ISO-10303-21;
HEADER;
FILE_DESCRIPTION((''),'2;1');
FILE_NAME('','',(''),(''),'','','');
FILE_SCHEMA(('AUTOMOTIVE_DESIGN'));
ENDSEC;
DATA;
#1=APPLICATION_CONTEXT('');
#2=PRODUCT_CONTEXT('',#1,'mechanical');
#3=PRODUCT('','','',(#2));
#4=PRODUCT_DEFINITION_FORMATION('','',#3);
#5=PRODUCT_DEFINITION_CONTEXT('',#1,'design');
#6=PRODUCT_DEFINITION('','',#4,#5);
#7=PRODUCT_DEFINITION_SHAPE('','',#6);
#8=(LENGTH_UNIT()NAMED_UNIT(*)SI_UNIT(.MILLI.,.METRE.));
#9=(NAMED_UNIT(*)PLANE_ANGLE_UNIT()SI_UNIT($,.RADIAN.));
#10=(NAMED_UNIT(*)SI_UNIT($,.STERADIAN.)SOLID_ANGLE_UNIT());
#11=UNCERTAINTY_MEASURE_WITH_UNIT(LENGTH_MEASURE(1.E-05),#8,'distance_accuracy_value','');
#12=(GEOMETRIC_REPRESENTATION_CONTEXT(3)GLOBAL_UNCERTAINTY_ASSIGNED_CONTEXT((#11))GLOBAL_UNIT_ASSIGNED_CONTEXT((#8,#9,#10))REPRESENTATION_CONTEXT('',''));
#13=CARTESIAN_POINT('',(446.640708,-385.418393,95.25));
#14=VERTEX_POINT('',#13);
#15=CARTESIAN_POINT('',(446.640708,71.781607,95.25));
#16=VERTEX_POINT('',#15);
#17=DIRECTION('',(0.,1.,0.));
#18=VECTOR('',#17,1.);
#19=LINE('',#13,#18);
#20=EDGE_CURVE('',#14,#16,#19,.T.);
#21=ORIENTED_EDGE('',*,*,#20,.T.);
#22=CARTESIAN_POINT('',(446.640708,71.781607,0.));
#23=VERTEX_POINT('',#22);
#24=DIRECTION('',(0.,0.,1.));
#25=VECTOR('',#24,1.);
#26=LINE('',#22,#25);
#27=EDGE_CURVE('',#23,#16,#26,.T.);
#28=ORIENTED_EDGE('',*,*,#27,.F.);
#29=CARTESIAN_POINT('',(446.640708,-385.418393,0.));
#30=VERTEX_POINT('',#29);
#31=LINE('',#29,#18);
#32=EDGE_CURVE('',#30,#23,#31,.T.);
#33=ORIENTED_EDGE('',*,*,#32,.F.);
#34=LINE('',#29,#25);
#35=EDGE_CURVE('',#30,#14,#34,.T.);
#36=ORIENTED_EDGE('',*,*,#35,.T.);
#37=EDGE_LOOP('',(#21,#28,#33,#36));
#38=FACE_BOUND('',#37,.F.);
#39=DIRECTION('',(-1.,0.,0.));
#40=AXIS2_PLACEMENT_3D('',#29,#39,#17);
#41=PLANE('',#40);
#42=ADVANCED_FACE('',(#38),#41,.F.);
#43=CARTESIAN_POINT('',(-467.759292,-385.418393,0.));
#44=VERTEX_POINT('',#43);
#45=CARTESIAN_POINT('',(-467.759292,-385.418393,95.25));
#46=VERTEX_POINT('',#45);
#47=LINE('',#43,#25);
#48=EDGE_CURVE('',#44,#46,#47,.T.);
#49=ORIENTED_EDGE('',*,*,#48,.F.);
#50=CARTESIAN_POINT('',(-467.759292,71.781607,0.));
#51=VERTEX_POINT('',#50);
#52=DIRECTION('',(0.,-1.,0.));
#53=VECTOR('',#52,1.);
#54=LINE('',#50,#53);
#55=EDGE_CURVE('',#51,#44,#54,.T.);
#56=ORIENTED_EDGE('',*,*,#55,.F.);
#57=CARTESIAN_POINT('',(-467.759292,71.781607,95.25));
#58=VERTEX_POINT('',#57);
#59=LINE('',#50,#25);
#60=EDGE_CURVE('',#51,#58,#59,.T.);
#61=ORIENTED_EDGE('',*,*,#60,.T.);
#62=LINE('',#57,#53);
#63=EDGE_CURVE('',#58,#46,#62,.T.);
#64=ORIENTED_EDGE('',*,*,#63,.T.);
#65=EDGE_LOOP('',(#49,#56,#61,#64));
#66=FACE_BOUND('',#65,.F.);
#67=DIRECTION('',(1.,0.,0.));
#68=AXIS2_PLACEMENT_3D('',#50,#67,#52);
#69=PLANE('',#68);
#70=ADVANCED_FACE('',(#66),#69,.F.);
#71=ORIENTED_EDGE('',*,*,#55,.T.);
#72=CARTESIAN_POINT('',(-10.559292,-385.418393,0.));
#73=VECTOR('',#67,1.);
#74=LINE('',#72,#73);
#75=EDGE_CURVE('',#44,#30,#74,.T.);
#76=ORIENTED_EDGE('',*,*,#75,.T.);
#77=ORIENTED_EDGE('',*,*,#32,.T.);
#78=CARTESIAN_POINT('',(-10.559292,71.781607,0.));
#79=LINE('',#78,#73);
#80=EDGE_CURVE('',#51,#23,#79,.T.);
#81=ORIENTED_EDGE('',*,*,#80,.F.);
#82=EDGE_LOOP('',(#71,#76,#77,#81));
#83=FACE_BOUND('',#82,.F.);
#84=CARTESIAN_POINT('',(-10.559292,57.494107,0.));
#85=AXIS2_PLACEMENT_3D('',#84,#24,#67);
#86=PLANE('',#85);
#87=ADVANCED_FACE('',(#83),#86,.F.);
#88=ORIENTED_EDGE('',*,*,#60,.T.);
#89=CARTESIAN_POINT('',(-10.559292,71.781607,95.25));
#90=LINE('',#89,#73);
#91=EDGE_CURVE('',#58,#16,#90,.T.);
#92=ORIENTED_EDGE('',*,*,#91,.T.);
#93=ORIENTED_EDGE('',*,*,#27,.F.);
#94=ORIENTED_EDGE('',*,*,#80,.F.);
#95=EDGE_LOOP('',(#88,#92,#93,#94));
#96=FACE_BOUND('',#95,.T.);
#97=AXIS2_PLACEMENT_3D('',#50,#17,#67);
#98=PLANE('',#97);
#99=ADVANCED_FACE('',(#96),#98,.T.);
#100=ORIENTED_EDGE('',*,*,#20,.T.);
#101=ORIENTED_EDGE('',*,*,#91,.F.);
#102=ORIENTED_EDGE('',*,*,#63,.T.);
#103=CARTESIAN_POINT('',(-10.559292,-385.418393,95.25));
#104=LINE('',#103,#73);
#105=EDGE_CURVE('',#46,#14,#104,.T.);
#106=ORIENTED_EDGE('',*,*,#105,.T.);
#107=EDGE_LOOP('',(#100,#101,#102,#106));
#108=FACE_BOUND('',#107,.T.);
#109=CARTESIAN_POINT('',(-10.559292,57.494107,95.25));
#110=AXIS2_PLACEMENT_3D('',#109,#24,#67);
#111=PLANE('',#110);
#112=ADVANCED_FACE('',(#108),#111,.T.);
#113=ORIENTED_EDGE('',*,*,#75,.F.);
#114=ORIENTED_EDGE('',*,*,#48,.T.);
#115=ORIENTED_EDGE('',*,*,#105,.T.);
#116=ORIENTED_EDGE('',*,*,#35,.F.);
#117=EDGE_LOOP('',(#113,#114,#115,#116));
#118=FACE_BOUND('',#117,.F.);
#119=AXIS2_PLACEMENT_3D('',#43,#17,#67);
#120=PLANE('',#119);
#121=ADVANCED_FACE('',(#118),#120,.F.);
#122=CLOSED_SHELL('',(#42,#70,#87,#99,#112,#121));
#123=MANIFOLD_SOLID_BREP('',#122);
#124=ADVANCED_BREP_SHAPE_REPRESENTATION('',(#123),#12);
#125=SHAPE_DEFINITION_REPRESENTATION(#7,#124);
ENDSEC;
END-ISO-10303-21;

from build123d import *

# Parameters (mm, degrees)
F0_W     = 914.4
F0_H     = 28.575
F1_DEPTH = 95.25


with BuildPart() as f1:
    # F0 (on Top) → F1 (new body)
    with BuildSketch(Plane.XY):
        with Locations((-10.559292, 57.494107)):
            Rectangle(F0_W, F0_H)
        with Locations((-10.559292, 28.919107)):
            Rectangle(F0_W, F0_H)
        with Locations((-10.559292, 0.344107)):
            Rectangle(F0_W, F0_H)
        with Locations((-10.559292, -28.230893)):
            Rectangle(F0_W, F0_H)
        with Locations((-10.559292, -56.805893)):
            Rectangle(F0_W, F0_H)
        with Locations((-10.559292, -85.380893)):
            Rectangle(F0_W, F0_H)
        with Locations((-10.559292, -113.955893)):
            Rectangle(F0_W, F0_H)
        with Locations((-10.559292, -142.530893)):
            Rectangle(F0_W, F0_H)
        with Locations((-10.559292, -171.105893)):
            Rectangle(F0_W, F0_H)
        with Locations((-10.559292, -199.680893)):
            Rectangle(F0_W, F0_H)
        with Locations((-10.559292, -228.255893)):
            Rectangle(F0_W, F0_H)
        with Locations((-10.559292, -256.830893)):
            Rectangle(F0_W, F0_H)
        with Locations((-10.559292, -285.405893)):
            Rectangle(F0_W, F0_H)
        with Locations((-10.559292, -313.980893)):
            Rectangle(F0_W, F0_H)
        with Locations((-10.559292, -342.555893)):
            Rectangle(F0_W, F0_H)
        with Locations((-10.559292, -371.130893)):
            Rectangle(F0_W, F0_H)
    extrude(amount=F1_DEPTH)


solid = f1.part
